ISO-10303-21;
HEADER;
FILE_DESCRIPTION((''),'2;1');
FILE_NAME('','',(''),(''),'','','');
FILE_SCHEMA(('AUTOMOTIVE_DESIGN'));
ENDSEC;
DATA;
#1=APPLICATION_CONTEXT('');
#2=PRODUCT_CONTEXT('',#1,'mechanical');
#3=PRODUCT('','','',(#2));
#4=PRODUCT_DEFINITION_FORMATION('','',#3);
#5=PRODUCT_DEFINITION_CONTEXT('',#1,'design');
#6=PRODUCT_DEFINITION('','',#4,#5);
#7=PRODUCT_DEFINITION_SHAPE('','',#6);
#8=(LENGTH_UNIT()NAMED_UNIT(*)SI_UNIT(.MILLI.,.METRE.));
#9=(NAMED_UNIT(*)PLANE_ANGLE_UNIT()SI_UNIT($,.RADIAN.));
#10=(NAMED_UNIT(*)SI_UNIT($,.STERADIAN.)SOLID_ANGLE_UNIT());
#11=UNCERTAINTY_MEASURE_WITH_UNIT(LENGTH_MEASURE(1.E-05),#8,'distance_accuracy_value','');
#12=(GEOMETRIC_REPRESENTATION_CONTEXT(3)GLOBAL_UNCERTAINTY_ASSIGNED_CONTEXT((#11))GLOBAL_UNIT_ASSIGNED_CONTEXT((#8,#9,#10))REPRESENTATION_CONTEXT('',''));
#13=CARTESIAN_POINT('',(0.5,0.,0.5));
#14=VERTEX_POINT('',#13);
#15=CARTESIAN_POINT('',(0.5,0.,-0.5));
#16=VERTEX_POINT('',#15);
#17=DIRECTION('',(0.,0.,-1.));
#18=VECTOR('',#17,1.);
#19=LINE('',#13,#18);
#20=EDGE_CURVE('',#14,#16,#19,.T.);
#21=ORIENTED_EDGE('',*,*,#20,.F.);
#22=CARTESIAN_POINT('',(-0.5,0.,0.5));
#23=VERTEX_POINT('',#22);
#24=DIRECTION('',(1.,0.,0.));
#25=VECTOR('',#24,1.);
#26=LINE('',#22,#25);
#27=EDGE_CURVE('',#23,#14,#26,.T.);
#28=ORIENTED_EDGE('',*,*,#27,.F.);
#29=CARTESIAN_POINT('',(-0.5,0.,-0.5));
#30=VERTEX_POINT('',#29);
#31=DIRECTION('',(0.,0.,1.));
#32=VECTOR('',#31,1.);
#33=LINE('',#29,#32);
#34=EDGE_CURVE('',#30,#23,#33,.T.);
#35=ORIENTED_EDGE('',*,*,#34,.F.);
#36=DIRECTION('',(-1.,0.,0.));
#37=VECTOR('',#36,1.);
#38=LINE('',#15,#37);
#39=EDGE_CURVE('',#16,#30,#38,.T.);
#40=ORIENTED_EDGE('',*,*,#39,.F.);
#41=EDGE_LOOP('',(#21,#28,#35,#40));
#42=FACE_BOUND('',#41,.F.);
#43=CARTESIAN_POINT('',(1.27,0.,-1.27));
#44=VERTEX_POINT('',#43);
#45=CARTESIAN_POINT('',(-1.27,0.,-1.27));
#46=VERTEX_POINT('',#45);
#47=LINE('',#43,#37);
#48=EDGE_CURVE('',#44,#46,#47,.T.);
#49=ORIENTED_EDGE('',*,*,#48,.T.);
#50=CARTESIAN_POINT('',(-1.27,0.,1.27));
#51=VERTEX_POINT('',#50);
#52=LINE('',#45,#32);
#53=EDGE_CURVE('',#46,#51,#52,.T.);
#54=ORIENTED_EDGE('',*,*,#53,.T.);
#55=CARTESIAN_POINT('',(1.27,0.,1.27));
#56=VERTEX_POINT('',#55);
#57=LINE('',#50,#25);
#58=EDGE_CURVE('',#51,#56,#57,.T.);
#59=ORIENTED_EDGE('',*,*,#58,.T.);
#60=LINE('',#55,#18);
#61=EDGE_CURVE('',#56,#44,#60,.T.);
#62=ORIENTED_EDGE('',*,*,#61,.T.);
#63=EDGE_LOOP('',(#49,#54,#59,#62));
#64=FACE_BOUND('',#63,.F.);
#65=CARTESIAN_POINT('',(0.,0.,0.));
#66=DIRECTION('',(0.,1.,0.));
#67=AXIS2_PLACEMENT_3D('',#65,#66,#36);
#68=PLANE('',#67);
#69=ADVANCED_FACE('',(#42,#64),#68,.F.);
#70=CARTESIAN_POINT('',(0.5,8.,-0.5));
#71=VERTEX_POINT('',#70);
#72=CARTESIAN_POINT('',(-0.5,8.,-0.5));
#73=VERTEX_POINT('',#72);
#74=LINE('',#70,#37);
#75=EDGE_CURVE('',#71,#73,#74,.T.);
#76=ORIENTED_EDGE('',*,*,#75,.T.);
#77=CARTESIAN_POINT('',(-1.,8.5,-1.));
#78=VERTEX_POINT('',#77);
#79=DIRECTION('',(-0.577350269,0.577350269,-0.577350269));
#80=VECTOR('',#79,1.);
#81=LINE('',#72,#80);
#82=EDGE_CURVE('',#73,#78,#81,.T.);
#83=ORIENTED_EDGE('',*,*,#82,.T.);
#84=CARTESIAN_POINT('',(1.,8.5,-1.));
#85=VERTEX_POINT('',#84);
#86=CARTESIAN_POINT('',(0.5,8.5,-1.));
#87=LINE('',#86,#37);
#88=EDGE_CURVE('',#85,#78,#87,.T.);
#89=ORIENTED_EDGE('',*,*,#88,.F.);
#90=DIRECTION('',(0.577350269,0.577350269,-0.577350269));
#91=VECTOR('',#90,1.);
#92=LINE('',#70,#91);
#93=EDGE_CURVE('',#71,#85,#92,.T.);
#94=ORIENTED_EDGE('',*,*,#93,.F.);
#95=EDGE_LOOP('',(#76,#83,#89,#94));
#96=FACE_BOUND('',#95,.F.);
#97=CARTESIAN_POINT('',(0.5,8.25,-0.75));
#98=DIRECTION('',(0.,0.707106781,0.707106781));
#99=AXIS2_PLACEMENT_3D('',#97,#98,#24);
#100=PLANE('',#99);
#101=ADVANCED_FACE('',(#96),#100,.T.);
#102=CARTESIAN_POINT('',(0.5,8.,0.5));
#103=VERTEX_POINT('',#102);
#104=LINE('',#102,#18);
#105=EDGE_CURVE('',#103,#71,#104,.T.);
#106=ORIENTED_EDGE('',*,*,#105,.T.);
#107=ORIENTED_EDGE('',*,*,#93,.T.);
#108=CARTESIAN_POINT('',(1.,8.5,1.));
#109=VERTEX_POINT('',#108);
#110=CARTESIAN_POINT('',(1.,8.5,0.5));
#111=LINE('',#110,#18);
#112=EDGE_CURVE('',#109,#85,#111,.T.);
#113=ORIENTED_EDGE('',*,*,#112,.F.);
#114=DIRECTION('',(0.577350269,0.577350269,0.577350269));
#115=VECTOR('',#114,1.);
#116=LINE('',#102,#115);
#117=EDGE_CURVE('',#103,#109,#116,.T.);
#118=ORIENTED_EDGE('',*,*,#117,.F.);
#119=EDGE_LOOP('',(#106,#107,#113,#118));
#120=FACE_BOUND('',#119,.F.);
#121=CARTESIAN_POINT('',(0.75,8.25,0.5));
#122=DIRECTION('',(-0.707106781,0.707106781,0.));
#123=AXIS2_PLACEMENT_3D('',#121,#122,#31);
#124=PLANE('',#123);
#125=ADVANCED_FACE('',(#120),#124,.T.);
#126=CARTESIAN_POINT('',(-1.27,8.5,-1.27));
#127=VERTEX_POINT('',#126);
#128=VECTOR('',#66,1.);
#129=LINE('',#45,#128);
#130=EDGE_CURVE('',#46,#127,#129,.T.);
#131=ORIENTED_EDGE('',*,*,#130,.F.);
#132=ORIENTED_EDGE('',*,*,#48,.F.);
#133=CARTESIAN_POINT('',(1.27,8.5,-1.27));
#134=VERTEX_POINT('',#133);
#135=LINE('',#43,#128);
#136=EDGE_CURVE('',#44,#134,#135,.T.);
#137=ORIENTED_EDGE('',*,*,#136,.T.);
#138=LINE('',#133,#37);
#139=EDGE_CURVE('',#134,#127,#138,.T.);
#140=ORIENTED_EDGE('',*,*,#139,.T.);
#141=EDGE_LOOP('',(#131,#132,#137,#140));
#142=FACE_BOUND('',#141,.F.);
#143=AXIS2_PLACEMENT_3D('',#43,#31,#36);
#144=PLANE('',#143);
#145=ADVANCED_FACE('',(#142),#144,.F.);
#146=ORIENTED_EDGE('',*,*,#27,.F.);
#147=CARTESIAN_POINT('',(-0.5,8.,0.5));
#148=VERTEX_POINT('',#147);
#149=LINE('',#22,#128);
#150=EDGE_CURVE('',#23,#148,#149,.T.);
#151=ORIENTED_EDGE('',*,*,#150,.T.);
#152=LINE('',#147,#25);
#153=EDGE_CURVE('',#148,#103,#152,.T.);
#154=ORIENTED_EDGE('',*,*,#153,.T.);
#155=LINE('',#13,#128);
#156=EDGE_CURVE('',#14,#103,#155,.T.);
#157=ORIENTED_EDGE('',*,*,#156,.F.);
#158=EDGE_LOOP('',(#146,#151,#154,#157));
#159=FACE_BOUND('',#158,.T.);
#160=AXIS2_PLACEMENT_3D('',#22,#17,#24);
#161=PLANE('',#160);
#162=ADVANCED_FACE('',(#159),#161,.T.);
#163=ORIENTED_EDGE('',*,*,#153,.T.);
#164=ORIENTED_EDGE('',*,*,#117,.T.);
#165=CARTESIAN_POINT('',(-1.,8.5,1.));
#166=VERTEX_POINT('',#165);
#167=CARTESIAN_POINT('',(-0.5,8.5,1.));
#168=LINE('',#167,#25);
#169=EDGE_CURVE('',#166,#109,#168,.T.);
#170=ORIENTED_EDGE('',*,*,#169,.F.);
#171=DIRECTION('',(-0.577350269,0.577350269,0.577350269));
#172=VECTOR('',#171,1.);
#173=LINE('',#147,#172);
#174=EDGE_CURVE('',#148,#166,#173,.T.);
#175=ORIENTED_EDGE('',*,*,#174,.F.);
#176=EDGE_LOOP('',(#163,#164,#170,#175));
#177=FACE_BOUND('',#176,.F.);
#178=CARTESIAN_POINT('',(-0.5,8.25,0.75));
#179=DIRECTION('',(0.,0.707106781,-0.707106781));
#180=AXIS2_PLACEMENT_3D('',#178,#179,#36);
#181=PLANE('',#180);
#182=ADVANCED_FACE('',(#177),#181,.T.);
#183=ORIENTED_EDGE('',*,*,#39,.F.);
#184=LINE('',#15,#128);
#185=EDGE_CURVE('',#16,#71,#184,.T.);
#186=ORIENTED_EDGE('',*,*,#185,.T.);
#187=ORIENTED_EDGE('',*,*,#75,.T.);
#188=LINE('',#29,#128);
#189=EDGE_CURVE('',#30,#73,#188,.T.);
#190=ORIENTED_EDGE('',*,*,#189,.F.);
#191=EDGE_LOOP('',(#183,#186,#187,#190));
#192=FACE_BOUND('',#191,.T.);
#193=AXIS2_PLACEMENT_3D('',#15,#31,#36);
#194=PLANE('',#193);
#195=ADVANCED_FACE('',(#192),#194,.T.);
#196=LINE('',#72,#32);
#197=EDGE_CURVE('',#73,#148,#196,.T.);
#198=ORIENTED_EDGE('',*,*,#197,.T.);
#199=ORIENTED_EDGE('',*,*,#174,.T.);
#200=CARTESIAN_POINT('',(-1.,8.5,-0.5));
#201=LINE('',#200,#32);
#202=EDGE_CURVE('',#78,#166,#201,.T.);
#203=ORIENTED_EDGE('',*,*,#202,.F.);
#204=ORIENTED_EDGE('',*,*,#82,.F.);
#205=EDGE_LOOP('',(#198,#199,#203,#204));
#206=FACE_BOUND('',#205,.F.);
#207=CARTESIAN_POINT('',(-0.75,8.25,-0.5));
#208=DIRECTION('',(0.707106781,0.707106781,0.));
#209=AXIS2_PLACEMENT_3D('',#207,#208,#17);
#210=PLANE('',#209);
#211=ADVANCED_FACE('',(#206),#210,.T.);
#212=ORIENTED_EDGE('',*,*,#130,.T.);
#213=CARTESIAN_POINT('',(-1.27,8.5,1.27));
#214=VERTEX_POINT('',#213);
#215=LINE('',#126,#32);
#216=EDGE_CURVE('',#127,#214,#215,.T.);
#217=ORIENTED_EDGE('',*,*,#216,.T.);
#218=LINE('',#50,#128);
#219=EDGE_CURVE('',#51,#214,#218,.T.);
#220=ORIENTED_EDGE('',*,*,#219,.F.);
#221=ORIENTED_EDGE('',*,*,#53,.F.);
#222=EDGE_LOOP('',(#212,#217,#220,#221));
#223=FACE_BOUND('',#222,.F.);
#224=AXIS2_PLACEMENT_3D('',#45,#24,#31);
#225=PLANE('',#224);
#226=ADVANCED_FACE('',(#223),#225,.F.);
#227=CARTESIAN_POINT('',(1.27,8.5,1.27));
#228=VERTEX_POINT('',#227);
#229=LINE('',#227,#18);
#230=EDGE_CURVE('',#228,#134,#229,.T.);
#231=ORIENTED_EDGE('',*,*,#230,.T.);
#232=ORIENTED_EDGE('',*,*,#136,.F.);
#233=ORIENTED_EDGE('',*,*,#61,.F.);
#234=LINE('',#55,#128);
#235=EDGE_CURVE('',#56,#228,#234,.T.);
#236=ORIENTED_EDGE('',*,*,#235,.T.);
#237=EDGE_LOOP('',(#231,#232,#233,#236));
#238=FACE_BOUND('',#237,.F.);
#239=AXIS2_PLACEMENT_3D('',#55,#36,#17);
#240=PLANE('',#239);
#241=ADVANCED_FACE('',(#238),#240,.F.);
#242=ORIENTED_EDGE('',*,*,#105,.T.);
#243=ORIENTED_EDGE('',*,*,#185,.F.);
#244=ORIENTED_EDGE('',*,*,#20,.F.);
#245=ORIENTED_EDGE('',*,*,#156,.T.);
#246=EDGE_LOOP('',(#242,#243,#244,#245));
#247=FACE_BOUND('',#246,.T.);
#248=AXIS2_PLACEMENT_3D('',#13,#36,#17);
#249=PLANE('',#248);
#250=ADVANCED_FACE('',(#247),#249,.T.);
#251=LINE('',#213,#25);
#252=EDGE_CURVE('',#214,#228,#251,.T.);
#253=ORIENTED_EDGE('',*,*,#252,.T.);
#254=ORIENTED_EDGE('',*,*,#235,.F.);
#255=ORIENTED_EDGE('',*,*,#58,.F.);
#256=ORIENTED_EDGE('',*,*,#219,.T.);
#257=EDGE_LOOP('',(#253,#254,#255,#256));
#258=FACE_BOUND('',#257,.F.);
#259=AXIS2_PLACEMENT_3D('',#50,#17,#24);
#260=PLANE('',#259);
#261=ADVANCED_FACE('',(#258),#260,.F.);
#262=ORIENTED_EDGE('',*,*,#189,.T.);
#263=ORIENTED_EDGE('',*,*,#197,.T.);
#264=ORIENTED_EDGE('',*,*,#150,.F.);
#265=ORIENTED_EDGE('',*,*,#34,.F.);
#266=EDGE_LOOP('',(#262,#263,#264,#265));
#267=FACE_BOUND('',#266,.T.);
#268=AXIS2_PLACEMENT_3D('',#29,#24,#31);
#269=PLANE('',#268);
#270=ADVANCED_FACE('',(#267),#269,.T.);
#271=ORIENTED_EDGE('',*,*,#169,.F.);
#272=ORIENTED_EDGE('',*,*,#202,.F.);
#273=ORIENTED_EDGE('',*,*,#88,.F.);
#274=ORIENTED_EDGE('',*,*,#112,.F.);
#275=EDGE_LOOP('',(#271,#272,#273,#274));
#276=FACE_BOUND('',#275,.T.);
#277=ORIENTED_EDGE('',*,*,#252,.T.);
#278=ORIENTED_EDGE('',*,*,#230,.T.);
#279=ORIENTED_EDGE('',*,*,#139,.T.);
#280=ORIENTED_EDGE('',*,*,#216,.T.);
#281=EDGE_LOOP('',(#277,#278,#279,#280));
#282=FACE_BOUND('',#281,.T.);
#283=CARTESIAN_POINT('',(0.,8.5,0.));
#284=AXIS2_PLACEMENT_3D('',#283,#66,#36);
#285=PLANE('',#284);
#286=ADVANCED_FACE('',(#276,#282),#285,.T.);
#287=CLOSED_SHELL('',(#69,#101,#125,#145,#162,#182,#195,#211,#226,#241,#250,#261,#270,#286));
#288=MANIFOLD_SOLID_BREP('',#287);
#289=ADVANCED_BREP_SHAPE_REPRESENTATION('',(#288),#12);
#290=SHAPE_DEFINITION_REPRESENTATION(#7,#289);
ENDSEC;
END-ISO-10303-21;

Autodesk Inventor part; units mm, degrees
ref_plane "YZ Plane" through (0, 0, 0) normal (1, 0, 0) x (0, 1, 0)
ref_plane "XZ Plane" through (0, 0, 0) normal (0, 1, 0) x (-1, 0, 0)
ref_plane "XY Plane" through (0, 0, 0) normal (0, 0, 1) x (1, 0, 0)
sketch "Sketch1" plane through (0, 0, 0) normal (0, 1, 0) x (-1, 0, 0)
  line L0 (1.27, 1.27) -> (-1.27, 1.27)
  line L1 (-1.27, 1.27) -> (-1.27, -1.27)
  line L2 (-1.27, -1.27) -> (1.27, -1.27)
  line L3 (1.27, -1.27) -> (1.27, 1.27)
  line L4 (1.27, 1.27) -> (-1.27, -1.27) construction
  line L5 (-1.27, 1.27) -> (1.27, -1.27) construction
  line L6 (0.5, 0.5) -> (-0.5, 0.5)
  line L7 (-0.5, 0.5) -> (-0.5, -0.5)
  line L8 (-0.5, -0.5) -> (0.5, -0.5)
  line L9 (0.5, -0.5) -> (0.5, 0.5)
  line L10 (0.5, 0.5) -> (-0.5, -0.5) construction
  line L11 (-0.5, 0.5) -> (0.5, -0.5) construction
  point P0 (0, 0)
  dimension "d0" = 2.54
  dimension "d1" = 2.54
  dimension "d2" = 1
  dimension "d3" = 1
extrude "Extrusion1" add sketch "Sketch1" along normal blind 8.5
chamfer "Chamfer1" distance 0.5 angle 45 4 edges at (-0.5, 8.5, 0) (0, 8.5, -0.5) (0.5, 8.5, 0) (0, 8.5, 0.5)
properties part number "pinShroud" material "ABS Plastic"
